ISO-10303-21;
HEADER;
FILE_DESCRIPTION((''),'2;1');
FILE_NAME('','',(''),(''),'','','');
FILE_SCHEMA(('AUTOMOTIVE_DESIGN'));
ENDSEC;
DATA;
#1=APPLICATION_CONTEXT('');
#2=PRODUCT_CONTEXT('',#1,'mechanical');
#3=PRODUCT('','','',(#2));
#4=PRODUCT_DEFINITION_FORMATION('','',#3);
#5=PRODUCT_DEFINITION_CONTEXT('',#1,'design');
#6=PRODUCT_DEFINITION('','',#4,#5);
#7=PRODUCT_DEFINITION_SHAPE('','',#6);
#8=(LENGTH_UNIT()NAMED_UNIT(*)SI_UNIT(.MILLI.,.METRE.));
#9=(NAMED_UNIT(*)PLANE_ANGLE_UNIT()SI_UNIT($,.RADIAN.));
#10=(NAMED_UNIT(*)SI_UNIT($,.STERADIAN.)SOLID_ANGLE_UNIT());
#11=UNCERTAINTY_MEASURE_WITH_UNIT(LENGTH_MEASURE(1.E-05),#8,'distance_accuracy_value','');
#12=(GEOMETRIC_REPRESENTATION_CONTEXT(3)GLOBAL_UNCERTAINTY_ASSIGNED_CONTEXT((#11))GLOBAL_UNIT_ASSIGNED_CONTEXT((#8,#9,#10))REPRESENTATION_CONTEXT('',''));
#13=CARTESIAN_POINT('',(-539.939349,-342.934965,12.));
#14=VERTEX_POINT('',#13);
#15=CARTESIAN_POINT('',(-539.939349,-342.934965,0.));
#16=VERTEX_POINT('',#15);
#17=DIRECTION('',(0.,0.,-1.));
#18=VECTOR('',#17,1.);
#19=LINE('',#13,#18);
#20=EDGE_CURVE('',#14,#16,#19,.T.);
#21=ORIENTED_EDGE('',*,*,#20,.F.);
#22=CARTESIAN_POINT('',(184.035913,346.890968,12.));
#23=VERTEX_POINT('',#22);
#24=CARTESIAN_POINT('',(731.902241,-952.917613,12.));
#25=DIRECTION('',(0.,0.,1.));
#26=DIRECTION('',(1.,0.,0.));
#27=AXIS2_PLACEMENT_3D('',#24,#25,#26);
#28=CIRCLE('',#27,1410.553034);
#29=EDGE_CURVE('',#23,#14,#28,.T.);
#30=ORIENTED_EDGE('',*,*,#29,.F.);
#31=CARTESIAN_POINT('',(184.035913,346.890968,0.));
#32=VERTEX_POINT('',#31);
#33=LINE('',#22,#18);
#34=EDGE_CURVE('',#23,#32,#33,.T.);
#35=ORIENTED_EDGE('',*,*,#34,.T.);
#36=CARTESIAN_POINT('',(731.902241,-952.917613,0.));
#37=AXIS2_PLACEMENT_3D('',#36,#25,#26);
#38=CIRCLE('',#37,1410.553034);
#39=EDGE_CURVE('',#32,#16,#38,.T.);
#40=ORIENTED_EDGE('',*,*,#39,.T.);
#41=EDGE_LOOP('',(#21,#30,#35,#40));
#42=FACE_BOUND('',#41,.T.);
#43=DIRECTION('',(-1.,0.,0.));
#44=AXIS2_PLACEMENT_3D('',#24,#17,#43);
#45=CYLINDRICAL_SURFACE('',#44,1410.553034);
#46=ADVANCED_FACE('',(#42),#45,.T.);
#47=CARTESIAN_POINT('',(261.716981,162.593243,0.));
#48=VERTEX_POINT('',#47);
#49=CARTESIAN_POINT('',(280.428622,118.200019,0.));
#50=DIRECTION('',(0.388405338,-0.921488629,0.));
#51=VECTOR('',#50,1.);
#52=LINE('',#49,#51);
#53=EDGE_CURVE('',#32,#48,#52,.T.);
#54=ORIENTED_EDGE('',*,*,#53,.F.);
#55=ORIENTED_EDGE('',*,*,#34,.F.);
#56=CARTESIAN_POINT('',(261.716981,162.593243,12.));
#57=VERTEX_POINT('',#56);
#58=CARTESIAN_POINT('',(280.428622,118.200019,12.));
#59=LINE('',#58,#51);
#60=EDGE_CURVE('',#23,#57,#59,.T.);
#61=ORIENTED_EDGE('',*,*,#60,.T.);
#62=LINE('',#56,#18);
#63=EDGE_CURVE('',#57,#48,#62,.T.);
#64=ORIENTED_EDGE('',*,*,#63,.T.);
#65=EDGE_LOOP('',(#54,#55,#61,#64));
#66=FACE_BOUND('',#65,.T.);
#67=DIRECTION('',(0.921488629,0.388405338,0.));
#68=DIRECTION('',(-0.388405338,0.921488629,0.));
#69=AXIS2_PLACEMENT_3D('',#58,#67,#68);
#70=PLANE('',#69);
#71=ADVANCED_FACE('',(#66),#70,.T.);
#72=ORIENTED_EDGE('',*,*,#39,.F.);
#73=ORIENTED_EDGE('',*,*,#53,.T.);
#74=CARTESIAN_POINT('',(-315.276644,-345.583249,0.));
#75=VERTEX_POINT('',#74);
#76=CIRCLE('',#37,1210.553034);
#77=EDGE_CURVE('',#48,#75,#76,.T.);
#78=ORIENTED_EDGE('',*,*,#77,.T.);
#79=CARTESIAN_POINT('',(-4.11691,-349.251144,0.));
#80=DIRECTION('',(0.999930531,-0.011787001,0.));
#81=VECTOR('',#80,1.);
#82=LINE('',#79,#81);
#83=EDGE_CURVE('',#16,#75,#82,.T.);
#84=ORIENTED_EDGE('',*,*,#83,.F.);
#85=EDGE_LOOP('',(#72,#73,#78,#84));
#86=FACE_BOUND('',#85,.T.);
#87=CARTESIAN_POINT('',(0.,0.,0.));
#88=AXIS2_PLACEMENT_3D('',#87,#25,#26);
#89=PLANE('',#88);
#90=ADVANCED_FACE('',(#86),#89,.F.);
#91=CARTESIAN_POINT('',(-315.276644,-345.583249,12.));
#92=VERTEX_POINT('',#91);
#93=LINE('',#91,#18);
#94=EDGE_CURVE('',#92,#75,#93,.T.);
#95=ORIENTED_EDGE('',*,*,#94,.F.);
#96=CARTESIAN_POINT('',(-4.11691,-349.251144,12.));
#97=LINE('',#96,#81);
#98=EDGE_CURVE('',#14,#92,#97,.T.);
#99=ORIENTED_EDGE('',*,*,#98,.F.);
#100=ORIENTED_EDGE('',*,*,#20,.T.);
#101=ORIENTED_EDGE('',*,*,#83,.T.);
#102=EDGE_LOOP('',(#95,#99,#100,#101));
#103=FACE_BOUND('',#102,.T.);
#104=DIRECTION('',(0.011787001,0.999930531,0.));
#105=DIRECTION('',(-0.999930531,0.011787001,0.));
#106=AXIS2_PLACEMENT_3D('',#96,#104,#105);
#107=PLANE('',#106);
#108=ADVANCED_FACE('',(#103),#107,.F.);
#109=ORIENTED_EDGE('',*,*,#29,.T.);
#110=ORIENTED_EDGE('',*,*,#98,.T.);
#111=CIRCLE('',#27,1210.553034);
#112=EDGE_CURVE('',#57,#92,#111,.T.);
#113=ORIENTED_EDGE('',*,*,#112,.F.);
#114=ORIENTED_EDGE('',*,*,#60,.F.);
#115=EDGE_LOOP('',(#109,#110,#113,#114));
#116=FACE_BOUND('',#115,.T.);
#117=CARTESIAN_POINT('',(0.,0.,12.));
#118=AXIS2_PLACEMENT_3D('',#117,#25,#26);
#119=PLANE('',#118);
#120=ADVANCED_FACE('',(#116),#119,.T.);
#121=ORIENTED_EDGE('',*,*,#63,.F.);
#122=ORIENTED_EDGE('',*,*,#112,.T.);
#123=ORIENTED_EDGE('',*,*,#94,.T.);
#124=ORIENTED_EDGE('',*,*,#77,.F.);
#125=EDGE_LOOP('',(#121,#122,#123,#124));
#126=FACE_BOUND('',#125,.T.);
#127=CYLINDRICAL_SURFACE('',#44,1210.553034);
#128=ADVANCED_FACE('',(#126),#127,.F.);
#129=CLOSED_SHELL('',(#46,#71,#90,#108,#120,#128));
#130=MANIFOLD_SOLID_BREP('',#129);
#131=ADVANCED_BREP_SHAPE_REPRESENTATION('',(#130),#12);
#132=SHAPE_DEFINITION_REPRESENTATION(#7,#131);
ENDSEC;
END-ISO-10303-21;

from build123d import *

# Parameters (mm, degrees)
Y_KSEKLIK_EKSTR_ZYON1_DEPTH = 12


with BuildPart() as part:
    # Çizim1 → Yükseklik-Ekstrüzyon1 (new body)
    with BuildSketch(Plane.XY):
        with BuildLine():
            Line((261.716980979, 162.593242631), (184.035913411, 346.890968449))
            ThreePointArc((184.035913411, 346.890968449), (-241.133822738, 68.287890261), (-539.939349276, -342.934965405))
            Line((-539.939349276, -342.934965405), (-315.2766443, -345.583248906))
            ThreePointArc((-315.2766443, -345.583248906), (-68.197330311, -44.46875715), (261.716980979, 162.593242631))
        make_face()
    extrude(amount=Y_KSEKLIK_EKSTR_ZYON1_DEPTH)


solid = part.part
